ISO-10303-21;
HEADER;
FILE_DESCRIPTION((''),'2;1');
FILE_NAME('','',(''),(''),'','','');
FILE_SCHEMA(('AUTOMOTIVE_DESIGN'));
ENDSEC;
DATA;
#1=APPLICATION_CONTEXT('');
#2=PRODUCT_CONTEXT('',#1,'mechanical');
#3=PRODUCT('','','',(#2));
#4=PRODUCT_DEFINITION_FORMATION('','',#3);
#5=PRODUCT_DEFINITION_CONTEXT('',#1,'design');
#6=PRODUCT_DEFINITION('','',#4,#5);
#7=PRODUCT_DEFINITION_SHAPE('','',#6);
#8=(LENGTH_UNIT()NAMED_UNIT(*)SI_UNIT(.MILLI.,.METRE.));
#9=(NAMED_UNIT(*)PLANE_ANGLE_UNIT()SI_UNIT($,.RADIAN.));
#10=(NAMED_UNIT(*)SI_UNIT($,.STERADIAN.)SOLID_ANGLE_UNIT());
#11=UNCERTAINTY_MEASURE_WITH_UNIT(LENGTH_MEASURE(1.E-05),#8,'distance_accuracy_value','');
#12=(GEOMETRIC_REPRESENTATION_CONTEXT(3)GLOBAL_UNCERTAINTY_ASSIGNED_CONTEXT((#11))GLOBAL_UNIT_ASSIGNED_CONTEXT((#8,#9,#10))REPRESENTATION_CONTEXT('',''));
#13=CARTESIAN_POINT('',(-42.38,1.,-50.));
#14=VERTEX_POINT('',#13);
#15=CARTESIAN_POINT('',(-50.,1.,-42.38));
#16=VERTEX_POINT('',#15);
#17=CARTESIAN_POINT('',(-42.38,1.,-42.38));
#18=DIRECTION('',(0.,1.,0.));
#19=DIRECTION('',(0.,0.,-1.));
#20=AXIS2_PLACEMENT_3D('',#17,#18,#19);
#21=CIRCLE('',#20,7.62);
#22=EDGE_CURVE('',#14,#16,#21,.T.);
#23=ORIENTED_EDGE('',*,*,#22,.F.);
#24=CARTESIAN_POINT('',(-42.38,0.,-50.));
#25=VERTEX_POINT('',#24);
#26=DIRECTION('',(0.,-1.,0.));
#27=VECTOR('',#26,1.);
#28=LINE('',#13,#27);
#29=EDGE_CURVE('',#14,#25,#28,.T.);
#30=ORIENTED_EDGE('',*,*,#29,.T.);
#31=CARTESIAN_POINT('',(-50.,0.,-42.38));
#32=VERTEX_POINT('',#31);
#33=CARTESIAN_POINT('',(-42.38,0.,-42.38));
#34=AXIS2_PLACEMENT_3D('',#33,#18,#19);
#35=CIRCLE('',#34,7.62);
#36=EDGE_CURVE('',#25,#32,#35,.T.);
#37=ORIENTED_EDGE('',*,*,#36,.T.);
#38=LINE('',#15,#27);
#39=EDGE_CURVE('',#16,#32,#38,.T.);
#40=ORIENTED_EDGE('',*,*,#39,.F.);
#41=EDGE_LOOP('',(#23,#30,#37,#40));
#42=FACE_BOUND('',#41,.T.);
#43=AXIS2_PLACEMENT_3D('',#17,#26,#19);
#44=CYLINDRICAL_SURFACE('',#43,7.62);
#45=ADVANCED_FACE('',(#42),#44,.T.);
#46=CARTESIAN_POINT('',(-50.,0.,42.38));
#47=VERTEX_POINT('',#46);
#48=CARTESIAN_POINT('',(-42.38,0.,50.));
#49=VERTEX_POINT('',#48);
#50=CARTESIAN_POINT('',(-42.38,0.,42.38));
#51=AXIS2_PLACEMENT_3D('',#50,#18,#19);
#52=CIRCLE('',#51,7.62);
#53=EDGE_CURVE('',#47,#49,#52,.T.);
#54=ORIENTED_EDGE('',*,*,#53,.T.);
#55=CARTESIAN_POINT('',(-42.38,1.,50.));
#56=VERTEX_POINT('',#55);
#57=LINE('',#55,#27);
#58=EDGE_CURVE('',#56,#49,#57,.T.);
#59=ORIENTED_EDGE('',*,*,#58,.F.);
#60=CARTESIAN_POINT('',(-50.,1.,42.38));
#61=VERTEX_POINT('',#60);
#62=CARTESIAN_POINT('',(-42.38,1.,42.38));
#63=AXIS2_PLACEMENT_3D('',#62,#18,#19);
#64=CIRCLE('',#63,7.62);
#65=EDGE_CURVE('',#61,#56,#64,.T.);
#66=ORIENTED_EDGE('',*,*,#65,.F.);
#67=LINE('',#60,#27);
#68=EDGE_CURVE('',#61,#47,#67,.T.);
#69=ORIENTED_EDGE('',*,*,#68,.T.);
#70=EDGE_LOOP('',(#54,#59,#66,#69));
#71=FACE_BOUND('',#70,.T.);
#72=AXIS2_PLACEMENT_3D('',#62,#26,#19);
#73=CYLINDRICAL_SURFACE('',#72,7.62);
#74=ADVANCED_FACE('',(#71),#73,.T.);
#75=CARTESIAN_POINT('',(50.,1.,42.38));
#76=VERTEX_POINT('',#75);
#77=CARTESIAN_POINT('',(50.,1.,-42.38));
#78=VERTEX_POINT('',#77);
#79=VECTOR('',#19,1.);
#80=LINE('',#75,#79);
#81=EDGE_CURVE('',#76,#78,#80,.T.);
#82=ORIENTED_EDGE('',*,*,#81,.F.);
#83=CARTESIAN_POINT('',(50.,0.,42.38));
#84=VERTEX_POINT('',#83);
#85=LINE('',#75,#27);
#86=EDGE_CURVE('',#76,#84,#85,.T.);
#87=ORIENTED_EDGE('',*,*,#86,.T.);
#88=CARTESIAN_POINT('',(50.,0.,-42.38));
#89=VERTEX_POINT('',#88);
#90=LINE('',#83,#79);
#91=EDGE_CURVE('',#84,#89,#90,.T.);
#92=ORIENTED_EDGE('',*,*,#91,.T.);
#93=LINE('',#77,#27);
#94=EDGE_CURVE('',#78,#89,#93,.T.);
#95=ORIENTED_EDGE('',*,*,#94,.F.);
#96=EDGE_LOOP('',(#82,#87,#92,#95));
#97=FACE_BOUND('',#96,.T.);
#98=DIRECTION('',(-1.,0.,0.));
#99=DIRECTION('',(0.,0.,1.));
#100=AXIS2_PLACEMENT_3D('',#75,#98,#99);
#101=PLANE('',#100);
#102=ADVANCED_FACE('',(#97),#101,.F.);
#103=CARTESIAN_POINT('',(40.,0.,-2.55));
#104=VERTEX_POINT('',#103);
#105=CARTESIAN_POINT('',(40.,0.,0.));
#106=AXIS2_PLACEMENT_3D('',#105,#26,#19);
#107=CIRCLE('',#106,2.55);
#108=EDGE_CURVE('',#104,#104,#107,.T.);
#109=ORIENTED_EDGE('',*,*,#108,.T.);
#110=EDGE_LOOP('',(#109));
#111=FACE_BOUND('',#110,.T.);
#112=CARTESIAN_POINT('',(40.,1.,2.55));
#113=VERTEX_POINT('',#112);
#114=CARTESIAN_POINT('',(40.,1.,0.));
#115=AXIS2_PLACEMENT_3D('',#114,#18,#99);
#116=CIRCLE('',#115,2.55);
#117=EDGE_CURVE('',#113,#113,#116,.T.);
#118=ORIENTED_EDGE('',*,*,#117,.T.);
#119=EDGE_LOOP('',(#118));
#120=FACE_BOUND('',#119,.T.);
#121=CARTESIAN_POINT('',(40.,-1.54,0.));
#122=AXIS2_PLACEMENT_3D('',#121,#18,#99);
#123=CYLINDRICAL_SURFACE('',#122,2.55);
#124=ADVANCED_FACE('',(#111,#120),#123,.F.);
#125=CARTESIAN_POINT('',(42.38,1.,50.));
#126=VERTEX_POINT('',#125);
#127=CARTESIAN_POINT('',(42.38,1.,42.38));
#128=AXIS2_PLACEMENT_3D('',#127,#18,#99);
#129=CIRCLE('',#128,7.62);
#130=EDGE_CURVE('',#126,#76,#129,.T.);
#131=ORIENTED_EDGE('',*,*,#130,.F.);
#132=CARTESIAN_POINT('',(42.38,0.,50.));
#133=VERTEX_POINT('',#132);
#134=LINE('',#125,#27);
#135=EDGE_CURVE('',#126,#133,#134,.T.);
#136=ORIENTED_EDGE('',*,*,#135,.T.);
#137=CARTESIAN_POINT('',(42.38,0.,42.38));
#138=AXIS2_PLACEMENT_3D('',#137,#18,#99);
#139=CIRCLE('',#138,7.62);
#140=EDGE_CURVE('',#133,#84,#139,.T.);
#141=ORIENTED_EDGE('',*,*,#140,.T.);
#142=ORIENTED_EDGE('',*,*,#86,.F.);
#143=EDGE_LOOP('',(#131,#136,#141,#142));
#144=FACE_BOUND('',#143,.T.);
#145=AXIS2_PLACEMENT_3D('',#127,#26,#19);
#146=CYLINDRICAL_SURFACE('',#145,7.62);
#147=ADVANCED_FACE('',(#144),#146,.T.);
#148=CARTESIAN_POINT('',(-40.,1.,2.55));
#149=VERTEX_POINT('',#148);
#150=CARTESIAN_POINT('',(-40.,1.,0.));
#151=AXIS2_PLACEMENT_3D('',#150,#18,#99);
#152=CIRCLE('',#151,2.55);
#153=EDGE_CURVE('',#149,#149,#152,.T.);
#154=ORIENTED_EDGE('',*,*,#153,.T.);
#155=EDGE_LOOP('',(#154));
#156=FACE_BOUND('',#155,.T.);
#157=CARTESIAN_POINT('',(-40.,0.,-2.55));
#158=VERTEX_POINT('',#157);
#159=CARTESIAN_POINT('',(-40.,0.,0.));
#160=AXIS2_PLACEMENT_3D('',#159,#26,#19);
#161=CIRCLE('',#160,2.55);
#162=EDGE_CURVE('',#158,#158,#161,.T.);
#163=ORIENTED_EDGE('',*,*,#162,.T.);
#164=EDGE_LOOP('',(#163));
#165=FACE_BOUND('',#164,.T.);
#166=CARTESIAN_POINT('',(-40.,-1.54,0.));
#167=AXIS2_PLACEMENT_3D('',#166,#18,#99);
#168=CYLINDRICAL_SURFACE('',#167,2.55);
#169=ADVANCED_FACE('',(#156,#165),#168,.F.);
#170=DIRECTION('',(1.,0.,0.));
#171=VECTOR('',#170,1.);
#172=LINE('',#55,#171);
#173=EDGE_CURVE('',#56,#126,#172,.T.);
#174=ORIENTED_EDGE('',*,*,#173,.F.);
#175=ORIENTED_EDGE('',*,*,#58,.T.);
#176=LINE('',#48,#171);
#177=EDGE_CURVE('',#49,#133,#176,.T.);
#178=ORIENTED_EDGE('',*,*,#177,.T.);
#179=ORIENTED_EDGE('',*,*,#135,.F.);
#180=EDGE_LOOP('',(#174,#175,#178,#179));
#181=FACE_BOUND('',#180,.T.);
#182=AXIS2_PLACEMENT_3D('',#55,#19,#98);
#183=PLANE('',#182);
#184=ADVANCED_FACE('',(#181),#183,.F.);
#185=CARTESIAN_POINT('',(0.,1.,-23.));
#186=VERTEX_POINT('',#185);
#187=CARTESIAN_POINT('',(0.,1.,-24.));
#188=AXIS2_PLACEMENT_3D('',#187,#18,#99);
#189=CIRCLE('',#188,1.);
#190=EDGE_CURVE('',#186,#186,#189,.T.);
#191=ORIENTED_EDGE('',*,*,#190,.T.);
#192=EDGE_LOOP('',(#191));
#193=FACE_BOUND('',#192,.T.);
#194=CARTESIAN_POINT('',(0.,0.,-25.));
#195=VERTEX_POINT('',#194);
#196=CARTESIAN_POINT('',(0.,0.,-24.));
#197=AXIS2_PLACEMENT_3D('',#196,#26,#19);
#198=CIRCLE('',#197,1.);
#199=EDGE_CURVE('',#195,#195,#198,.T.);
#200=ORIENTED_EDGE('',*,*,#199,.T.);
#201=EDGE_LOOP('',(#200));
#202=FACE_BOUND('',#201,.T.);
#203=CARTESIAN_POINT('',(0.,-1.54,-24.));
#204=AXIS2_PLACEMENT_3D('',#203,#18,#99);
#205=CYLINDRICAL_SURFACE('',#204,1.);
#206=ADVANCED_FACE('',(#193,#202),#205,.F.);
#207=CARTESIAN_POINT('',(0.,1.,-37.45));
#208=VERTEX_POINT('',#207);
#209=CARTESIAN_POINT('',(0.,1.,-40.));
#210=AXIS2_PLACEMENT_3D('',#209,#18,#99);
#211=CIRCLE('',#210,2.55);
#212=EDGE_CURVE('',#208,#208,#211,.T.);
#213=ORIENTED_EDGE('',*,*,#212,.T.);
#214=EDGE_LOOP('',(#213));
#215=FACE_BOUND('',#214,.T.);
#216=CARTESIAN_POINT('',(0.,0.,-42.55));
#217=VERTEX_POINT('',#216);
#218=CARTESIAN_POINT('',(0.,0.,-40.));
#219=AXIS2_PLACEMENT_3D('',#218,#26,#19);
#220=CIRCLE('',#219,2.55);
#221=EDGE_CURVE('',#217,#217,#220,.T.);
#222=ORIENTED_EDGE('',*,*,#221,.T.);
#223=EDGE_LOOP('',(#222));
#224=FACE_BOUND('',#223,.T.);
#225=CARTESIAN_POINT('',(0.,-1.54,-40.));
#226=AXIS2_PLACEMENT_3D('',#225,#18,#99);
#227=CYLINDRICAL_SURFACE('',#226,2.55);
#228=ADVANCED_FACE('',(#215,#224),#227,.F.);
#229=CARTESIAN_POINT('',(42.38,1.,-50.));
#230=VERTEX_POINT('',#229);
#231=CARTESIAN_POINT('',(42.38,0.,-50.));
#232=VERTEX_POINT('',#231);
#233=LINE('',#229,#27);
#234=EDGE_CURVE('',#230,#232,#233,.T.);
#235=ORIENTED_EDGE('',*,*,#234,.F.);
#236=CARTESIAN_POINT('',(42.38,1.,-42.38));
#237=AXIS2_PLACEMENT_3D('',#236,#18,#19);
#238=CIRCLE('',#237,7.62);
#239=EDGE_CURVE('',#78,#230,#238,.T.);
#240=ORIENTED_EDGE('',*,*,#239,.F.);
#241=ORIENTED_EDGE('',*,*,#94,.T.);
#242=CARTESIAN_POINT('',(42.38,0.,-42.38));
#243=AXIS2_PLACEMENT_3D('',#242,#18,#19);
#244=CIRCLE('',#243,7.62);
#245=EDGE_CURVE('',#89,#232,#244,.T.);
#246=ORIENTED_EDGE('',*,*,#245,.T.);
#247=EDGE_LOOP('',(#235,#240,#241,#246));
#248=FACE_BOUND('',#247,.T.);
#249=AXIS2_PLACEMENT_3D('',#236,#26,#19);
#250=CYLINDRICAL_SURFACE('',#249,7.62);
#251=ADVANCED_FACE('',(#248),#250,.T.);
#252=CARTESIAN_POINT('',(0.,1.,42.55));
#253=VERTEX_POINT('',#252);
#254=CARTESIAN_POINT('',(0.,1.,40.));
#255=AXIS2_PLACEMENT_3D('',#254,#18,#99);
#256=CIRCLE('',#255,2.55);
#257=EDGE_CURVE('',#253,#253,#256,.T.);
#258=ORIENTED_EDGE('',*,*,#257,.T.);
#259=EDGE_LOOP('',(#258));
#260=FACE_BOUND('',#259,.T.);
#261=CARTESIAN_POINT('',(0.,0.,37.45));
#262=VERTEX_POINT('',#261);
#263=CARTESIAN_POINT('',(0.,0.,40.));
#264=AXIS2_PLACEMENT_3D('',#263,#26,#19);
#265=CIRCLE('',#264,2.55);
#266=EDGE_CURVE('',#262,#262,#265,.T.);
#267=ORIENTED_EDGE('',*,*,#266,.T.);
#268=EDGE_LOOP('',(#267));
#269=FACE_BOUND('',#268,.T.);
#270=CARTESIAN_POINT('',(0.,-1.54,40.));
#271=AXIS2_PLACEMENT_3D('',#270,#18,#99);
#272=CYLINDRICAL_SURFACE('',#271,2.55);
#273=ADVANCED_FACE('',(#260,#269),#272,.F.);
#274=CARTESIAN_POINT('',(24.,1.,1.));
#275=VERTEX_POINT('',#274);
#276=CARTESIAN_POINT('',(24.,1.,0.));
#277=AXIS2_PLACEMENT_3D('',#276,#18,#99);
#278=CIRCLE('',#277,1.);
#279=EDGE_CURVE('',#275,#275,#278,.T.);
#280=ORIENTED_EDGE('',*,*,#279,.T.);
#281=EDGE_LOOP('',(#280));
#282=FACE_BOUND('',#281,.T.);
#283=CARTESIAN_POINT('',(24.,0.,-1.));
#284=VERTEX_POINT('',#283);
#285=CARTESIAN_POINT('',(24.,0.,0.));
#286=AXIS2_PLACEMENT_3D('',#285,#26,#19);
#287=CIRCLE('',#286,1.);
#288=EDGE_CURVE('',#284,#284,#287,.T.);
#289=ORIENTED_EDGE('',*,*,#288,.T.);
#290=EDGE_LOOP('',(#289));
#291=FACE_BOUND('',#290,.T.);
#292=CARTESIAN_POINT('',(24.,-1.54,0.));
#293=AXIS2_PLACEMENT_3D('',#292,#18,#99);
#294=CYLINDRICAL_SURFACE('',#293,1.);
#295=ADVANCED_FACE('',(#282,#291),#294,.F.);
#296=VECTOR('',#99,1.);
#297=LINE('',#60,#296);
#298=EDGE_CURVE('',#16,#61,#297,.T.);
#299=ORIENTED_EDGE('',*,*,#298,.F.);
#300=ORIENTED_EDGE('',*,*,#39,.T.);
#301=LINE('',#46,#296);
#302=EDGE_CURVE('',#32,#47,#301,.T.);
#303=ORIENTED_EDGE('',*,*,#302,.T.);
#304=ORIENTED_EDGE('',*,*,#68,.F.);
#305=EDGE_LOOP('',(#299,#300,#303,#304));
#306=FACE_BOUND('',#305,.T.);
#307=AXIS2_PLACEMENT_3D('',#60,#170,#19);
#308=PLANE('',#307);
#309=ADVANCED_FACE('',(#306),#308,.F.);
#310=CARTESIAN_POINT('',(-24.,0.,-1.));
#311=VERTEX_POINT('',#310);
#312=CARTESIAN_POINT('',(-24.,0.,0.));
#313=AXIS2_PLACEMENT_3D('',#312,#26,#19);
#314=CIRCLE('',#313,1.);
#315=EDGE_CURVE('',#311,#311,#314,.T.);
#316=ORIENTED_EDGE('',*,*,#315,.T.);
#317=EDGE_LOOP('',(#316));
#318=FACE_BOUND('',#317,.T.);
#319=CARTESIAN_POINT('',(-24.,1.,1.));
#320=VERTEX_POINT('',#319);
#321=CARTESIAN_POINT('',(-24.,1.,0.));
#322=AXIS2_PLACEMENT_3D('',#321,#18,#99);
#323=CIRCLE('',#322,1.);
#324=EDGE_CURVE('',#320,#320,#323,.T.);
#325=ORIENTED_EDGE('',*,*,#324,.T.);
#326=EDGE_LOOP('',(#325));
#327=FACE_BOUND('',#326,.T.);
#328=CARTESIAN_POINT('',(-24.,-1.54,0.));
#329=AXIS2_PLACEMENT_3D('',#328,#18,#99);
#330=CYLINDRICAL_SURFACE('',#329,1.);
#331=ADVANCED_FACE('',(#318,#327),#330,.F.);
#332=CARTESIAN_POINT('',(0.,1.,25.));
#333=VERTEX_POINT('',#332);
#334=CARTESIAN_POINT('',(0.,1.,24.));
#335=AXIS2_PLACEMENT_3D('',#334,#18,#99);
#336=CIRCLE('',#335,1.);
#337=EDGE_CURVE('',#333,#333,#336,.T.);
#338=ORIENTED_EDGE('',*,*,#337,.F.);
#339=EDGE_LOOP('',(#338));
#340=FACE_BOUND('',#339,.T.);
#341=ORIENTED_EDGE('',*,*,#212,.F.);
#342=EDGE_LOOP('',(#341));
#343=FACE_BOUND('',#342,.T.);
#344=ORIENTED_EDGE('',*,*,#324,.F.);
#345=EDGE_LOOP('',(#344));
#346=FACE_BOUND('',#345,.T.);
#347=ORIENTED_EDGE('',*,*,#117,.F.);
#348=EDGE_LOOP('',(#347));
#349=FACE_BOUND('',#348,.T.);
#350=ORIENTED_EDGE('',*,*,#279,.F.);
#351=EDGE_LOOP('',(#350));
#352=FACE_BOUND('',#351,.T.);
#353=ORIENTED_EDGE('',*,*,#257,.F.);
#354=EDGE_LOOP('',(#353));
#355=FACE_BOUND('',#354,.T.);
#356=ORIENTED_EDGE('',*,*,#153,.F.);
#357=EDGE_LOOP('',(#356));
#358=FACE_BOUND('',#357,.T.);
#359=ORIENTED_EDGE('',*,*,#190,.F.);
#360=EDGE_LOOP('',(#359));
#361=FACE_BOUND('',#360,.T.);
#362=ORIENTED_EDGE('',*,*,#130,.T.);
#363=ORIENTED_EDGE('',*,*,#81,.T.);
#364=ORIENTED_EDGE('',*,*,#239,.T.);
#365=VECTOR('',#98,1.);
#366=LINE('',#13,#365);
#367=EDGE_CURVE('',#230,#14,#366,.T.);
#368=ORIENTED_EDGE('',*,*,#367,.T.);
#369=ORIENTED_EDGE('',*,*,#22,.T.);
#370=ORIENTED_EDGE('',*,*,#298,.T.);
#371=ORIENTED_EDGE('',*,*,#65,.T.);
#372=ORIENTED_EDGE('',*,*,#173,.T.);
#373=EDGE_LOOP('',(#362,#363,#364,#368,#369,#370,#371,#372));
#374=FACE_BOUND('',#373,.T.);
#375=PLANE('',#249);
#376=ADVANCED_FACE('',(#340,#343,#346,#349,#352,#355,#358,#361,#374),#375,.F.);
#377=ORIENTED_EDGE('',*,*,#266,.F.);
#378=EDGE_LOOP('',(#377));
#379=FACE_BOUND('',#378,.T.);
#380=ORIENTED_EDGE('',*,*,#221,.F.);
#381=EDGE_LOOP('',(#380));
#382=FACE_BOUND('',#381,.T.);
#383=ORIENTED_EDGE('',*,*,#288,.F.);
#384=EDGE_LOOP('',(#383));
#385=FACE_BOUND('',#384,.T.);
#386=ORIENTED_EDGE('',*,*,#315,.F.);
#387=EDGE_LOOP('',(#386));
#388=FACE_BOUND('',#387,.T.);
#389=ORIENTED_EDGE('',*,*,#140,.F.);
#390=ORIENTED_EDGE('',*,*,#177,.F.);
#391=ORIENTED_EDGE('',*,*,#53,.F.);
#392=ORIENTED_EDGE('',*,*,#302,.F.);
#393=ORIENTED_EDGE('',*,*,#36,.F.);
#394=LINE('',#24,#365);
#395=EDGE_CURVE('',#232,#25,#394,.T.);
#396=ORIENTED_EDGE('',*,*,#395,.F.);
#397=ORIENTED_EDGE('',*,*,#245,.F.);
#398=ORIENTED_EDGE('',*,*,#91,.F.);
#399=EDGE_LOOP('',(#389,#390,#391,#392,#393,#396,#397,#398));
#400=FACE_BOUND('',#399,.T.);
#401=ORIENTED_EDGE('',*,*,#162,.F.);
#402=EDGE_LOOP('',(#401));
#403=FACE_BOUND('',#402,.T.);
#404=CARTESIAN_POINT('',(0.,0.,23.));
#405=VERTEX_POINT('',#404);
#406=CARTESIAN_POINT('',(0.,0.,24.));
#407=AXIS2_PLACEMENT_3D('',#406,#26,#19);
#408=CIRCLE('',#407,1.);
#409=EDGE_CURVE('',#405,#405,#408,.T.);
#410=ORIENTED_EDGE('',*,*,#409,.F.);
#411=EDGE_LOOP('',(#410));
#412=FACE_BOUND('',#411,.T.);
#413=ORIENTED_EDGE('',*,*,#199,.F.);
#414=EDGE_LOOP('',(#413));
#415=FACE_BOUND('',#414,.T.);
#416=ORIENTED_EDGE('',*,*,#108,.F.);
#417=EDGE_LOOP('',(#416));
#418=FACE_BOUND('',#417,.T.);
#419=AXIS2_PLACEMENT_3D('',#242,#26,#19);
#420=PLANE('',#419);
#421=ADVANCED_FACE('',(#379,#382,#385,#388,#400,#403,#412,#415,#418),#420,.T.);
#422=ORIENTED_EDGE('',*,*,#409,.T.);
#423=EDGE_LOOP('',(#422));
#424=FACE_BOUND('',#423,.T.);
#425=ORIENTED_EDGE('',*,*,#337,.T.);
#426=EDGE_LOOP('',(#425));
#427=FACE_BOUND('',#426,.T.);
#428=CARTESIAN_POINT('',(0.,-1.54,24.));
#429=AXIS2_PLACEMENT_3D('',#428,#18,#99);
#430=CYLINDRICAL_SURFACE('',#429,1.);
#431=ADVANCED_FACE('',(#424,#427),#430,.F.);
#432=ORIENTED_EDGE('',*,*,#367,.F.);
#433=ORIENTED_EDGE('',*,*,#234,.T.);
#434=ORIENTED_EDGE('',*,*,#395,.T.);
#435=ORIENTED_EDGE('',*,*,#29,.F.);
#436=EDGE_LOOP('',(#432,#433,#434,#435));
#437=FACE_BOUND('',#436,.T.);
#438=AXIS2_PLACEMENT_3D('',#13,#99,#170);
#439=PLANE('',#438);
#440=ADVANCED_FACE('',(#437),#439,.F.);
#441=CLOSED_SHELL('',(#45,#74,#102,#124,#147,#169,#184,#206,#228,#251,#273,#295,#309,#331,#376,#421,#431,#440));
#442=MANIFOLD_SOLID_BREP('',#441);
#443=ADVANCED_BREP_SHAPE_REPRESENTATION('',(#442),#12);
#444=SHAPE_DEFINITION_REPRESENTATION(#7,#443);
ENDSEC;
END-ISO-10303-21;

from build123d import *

# Parameters (mm, degrees)
BOSS_EXTRUDE1_DEPTH = 1
SKETCH2_R           = 2.55
CUT_EXTRUDE6_DEPTH  = 2.54
SKETCH3_R           = 1
CUT_EXTRUDE7_DEPTH  = 2.54


with BuildPart() as part:
    # Sketch1 → Boss-Extrude1 (new body)
    with BuildSketch(Plane(origin=(0, 0, 0), x_dir=(1, 0, 0), z_dir=(0, 1, 0))):
        with BuildLine():
            Line((-42.38, -50), (42.38, -50))
            ThreePointArc((42.38, -50), (47.768153673, -47.768153673), (50, -42.38))
            Line((50, -42.38), (50, 42.38))
            ThreePointArc((50, 42.38), (47.768153673, 47.768153673), (42.38, 50))
            Line((42.38, 50), (-42.38, 50))
            ThreePointArc((-42.38, 50), (-47.768153673, 47.768153673), (-50, 42.38))
            Line((-50, 42.38), (-50, -42.38))
            ThreePointArc((-50, -42.38), (-47.768153673, -47.768153673), (-42.38, -50))
        make_face()
    extrude(amount=BOSS_EXTRUDE1_DEPTH)

    # Sketch2 → Cut-Extrude6 (cut)
    with BuildSketch(Plane(origin=(0, 1, 0), x_dir=(1, 0, 0), z_dir=(0, 1, 0))):
        with Locations((0, 40)):
            Circle(SKETCH2_R)
        with Locations((40, 0)):
            Circle(SKETCH2_R)
        with Locations((0, -40)):
            Circle(SKETCH2_R)
        with Locations((-40, 0)):
            Circle(SKETCH2_R)
    extrude(amount=-CUT_EXTRUDE6_DEPTH, mode=Mode.SUBTRACT)

    # Sketch3 → Cut-Extrude7 (cut)
    with BuildSketch(Plane(origin=(0, 1, 0), x_dir=(1, 0, 0), z_dir=(0, 1, 0))):
        with Locations((0, 24)):
            Circle(SKETCH3_R)
        with Locations((24, 0)):
            Circle(SKETCH3_R)
        with Locations((0, -24)):
            Circle(SKETCH3_R)
        with Locations((-24, 0)):
            Circle(SKETCH3_R)
    extrude(amount=-CUT_EXTRUDE7_DEPTH, mode=Mode.SUBTRACT)


solid = part.part
